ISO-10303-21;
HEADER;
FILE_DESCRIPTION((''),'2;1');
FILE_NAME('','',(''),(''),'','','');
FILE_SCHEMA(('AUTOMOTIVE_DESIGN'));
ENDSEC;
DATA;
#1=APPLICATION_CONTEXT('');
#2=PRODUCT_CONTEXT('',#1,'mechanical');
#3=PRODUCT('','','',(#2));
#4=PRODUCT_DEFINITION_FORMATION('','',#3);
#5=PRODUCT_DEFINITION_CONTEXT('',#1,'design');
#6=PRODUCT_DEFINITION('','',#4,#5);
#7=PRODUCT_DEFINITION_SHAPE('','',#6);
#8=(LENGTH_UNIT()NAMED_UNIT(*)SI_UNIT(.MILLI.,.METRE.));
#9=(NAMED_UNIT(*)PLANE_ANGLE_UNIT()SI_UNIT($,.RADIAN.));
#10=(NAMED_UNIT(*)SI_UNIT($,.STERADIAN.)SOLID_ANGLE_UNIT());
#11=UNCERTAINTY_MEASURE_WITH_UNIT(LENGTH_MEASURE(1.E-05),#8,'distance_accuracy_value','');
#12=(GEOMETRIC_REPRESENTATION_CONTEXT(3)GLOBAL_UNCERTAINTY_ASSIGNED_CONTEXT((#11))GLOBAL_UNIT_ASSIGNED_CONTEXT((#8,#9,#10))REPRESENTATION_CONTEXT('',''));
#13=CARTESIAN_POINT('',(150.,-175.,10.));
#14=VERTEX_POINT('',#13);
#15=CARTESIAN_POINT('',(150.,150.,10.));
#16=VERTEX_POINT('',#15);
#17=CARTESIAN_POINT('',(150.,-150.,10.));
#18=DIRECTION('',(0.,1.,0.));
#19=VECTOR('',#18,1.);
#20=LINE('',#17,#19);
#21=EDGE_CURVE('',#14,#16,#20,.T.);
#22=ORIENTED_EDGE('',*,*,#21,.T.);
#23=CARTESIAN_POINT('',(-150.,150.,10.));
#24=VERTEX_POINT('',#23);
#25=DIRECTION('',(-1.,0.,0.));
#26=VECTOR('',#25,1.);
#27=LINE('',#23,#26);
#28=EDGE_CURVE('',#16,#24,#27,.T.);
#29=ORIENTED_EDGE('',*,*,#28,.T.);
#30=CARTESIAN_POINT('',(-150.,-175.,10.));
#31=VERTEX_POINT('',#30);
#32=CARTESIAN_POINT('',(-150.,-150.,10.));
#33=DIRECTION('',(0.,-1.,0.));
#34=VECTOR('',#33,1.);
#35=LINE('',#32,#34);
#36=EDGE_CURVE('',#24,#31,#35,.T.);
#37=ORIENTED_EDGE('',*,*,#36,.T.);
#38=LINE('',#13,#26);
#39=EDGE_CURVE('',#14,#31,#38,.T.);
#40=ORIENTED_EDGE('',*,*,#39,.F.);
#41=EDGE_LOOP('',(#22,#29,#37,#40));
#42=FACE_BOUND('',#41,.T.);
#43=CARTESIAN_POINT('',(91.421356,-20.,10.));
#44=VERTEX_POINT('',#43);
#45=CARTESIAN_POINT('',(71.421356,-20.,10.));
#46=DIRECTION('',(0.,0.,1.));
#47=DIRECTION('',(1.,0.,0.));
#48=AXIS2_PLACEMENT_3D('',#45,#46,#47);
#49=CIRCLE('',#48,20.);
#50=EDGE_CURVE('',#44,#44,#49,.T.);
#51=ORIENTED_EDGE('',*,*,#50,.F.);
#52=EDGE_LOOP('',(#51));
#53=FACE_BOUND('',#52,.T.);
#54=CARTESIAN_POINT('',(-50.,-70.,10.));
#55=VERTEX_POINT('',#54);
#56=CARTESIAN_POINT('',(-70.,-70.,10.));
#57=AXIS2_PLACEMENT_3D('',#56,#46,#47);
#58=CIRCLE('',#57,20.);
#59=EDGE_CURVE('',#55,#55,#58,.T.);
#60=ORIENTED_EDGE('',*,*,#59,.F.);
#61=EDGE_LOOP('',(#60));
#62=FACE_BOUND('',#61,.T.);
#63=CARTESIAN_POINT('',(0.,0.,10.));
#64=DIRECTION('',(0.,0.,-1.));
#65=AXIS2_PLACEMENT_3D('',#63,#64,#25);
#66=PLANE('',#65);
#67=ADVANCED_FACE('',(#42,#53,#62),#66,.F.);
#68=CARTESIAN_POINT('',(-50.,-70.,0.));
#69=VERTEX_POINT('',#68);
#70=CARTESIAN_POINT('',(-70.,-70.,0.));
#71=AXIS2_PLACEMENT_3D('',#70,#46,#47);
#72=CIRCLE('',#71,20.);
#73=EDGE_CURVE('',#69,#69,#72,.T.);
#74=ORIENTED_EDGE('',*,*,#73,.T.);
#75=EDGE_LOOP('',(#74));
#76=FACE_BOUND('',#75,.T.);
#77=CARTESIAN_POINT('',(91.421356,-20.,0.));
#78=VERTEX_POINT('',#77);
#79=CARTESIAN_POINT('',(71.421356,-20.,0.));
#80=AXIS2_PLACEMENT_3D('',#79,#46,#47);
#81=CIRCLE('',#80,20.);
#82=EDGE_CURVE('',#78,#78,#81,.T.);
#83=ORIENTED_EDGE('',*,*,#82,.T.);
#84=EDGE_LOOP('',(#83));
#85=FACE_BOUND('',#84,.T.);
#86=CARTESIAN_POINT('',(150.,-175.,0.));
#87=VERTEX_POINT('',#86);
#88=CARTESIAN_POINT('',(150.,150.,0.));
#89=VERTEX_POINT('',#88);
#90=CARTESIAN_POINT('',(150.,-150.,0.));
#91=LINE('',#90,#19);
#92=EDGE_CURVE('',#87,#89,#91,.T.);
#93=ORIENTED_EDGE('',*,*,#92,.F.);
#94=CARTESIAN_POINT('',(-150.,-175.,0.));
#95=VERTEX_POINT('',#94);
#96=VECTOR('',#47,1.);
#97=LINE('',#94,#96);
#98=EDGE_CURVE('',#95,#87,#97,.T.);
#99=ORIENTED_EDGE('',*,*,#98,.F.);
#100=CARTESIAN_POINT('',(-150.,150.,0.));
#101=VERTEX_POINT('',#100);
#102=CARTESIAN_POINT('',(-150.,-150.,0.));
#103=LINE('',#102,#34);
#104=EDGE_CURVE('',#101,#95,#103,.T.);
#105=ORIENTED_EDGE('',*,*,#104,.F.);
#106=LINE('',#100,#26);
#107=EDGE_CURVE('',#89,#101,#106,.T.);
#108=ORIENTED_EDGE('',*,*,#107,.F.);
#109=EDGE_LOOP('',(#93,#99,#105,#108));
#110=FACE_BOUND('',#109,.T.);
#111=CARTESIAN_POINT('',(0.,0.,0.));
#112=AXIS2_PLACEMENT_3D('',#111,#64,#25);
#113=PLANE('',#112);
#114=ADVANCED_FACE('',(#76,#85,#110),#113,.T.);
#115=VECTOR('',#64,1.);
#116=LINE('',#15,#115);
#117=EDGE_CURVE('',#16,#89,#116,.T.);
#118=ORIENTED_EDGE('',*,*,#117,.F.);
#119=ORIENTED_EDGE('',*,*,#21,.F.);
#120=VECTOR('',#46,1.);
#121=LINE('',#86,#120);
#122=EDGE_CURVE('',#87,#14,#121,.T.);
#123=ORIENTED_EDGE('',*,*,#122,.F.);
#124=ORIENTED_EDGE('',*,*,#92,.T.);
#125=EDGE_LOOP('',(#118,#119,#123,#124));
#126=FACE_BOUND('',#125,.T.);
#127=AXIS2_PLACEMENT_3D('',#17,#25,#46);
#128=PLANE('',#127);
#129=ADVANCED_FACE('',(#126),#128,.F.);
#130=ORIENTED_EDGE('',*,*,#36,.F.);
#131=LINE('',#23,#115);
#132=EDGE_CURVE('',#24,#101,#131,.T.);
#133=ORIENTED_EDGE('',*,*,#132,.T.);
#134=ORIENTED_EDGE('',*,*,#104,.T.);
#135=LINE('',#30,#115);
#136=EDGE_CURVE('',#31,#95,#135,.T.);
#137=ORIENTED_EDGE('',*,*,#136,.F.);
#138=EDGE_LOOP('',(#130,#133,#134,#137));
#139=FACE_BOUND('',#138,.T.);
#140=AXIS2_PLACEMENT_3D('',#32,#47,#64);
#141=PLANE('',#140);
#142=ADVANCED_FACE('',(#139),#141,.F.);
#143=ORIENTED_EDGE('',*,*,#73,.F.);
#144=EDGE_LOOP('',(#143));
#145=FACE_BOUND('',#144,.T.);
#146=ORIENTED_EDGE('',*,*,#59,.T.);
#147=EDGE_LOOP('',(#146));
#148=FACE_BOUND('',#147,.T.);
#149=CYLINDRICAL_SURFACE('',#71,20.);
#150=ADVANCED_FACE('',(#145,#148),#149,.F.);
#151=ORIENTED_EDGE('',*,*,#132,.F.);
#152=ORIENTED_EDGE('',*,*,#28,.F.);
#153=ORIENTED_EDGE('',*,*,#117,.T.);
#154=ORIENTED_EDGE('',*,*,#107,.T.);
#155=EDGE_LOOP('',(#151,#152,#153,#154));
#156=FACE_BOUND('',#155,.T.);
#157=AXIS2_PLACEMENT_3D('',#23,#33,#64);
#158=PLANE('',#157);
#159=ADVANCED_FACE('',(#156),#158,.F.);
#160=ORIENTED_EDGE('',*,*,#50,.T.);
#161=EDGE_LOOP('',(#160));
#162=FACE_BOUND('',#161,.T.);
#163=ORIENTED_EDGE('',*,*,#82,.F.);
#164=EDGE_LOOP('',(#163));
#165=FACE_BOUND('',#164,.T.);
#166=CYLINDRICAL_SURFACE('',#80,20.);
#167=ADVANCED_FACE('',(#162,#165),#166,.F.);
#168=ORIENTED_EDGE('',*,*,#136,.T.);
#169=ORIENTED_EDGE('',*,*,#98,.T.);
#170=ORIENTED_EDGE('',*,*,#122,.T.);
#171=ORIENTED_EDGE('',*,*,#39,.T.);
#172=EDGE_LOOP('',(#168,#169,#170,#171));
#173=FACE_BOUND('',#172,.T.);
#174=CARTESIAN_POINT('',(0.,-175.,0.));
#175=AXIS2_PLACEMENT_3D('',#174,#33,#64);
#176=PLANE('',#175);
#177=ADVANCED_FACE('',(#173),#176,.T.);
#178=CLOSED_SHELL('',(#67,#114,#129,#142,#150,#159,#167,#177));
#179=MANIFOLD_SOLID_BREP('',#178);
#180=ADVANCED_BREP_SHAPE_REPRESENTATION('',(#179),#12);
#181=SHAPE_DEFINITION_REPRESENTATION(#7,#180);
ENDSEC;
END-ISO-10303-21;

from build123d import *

# Parameters (mm, degrees)
SKETCH_1_W          = 300
SKETCH_1_H          = 300
EXTRUDE_1_DEPTH     = 10
SKETCH_2_R          = 20
CUT_EXTRUDE_1_DEPTH = 213.367605816
SKETCH_3_W          = 300
SKETCH_3_H          = 10
EXTRUDE_2_DEPTH     = 25


with BuildPart() as part:
    # 草图1 → 凸台-拉伸1 (new body)
    with BuildSketch(Plane.XY):
        Rectangle(SKETCH_1_W, SKETCH_1_H)
    extrude(amount=EXTRUDE_1_DEPTH)

    # 草图2 → 切除-拉伸1 (cut, through all)
    with BuildSketch(Plane.XY.offset(10)):
        with Locations((-70, -70)):
            Circle(SKETCH_2_R)
        with Locations((71.421356237, -20)):
            Circle(SKETCH_2_R)
    extrude(amount=-CUT_EXTRUDE_1_DEPTH, mode=Mode.SUBTRACT)

    # 草图3 → 凸台-拉伸2 (add)
    with BuildSketch(Plane.XZ.offset(150)):
        with Locations((0, 5)):
            Rectangle(SKETCH_3_W, SKETCH_3_H)
    extrude(amount=EXTRUDE_2_DEPTH)


solid = part.part
